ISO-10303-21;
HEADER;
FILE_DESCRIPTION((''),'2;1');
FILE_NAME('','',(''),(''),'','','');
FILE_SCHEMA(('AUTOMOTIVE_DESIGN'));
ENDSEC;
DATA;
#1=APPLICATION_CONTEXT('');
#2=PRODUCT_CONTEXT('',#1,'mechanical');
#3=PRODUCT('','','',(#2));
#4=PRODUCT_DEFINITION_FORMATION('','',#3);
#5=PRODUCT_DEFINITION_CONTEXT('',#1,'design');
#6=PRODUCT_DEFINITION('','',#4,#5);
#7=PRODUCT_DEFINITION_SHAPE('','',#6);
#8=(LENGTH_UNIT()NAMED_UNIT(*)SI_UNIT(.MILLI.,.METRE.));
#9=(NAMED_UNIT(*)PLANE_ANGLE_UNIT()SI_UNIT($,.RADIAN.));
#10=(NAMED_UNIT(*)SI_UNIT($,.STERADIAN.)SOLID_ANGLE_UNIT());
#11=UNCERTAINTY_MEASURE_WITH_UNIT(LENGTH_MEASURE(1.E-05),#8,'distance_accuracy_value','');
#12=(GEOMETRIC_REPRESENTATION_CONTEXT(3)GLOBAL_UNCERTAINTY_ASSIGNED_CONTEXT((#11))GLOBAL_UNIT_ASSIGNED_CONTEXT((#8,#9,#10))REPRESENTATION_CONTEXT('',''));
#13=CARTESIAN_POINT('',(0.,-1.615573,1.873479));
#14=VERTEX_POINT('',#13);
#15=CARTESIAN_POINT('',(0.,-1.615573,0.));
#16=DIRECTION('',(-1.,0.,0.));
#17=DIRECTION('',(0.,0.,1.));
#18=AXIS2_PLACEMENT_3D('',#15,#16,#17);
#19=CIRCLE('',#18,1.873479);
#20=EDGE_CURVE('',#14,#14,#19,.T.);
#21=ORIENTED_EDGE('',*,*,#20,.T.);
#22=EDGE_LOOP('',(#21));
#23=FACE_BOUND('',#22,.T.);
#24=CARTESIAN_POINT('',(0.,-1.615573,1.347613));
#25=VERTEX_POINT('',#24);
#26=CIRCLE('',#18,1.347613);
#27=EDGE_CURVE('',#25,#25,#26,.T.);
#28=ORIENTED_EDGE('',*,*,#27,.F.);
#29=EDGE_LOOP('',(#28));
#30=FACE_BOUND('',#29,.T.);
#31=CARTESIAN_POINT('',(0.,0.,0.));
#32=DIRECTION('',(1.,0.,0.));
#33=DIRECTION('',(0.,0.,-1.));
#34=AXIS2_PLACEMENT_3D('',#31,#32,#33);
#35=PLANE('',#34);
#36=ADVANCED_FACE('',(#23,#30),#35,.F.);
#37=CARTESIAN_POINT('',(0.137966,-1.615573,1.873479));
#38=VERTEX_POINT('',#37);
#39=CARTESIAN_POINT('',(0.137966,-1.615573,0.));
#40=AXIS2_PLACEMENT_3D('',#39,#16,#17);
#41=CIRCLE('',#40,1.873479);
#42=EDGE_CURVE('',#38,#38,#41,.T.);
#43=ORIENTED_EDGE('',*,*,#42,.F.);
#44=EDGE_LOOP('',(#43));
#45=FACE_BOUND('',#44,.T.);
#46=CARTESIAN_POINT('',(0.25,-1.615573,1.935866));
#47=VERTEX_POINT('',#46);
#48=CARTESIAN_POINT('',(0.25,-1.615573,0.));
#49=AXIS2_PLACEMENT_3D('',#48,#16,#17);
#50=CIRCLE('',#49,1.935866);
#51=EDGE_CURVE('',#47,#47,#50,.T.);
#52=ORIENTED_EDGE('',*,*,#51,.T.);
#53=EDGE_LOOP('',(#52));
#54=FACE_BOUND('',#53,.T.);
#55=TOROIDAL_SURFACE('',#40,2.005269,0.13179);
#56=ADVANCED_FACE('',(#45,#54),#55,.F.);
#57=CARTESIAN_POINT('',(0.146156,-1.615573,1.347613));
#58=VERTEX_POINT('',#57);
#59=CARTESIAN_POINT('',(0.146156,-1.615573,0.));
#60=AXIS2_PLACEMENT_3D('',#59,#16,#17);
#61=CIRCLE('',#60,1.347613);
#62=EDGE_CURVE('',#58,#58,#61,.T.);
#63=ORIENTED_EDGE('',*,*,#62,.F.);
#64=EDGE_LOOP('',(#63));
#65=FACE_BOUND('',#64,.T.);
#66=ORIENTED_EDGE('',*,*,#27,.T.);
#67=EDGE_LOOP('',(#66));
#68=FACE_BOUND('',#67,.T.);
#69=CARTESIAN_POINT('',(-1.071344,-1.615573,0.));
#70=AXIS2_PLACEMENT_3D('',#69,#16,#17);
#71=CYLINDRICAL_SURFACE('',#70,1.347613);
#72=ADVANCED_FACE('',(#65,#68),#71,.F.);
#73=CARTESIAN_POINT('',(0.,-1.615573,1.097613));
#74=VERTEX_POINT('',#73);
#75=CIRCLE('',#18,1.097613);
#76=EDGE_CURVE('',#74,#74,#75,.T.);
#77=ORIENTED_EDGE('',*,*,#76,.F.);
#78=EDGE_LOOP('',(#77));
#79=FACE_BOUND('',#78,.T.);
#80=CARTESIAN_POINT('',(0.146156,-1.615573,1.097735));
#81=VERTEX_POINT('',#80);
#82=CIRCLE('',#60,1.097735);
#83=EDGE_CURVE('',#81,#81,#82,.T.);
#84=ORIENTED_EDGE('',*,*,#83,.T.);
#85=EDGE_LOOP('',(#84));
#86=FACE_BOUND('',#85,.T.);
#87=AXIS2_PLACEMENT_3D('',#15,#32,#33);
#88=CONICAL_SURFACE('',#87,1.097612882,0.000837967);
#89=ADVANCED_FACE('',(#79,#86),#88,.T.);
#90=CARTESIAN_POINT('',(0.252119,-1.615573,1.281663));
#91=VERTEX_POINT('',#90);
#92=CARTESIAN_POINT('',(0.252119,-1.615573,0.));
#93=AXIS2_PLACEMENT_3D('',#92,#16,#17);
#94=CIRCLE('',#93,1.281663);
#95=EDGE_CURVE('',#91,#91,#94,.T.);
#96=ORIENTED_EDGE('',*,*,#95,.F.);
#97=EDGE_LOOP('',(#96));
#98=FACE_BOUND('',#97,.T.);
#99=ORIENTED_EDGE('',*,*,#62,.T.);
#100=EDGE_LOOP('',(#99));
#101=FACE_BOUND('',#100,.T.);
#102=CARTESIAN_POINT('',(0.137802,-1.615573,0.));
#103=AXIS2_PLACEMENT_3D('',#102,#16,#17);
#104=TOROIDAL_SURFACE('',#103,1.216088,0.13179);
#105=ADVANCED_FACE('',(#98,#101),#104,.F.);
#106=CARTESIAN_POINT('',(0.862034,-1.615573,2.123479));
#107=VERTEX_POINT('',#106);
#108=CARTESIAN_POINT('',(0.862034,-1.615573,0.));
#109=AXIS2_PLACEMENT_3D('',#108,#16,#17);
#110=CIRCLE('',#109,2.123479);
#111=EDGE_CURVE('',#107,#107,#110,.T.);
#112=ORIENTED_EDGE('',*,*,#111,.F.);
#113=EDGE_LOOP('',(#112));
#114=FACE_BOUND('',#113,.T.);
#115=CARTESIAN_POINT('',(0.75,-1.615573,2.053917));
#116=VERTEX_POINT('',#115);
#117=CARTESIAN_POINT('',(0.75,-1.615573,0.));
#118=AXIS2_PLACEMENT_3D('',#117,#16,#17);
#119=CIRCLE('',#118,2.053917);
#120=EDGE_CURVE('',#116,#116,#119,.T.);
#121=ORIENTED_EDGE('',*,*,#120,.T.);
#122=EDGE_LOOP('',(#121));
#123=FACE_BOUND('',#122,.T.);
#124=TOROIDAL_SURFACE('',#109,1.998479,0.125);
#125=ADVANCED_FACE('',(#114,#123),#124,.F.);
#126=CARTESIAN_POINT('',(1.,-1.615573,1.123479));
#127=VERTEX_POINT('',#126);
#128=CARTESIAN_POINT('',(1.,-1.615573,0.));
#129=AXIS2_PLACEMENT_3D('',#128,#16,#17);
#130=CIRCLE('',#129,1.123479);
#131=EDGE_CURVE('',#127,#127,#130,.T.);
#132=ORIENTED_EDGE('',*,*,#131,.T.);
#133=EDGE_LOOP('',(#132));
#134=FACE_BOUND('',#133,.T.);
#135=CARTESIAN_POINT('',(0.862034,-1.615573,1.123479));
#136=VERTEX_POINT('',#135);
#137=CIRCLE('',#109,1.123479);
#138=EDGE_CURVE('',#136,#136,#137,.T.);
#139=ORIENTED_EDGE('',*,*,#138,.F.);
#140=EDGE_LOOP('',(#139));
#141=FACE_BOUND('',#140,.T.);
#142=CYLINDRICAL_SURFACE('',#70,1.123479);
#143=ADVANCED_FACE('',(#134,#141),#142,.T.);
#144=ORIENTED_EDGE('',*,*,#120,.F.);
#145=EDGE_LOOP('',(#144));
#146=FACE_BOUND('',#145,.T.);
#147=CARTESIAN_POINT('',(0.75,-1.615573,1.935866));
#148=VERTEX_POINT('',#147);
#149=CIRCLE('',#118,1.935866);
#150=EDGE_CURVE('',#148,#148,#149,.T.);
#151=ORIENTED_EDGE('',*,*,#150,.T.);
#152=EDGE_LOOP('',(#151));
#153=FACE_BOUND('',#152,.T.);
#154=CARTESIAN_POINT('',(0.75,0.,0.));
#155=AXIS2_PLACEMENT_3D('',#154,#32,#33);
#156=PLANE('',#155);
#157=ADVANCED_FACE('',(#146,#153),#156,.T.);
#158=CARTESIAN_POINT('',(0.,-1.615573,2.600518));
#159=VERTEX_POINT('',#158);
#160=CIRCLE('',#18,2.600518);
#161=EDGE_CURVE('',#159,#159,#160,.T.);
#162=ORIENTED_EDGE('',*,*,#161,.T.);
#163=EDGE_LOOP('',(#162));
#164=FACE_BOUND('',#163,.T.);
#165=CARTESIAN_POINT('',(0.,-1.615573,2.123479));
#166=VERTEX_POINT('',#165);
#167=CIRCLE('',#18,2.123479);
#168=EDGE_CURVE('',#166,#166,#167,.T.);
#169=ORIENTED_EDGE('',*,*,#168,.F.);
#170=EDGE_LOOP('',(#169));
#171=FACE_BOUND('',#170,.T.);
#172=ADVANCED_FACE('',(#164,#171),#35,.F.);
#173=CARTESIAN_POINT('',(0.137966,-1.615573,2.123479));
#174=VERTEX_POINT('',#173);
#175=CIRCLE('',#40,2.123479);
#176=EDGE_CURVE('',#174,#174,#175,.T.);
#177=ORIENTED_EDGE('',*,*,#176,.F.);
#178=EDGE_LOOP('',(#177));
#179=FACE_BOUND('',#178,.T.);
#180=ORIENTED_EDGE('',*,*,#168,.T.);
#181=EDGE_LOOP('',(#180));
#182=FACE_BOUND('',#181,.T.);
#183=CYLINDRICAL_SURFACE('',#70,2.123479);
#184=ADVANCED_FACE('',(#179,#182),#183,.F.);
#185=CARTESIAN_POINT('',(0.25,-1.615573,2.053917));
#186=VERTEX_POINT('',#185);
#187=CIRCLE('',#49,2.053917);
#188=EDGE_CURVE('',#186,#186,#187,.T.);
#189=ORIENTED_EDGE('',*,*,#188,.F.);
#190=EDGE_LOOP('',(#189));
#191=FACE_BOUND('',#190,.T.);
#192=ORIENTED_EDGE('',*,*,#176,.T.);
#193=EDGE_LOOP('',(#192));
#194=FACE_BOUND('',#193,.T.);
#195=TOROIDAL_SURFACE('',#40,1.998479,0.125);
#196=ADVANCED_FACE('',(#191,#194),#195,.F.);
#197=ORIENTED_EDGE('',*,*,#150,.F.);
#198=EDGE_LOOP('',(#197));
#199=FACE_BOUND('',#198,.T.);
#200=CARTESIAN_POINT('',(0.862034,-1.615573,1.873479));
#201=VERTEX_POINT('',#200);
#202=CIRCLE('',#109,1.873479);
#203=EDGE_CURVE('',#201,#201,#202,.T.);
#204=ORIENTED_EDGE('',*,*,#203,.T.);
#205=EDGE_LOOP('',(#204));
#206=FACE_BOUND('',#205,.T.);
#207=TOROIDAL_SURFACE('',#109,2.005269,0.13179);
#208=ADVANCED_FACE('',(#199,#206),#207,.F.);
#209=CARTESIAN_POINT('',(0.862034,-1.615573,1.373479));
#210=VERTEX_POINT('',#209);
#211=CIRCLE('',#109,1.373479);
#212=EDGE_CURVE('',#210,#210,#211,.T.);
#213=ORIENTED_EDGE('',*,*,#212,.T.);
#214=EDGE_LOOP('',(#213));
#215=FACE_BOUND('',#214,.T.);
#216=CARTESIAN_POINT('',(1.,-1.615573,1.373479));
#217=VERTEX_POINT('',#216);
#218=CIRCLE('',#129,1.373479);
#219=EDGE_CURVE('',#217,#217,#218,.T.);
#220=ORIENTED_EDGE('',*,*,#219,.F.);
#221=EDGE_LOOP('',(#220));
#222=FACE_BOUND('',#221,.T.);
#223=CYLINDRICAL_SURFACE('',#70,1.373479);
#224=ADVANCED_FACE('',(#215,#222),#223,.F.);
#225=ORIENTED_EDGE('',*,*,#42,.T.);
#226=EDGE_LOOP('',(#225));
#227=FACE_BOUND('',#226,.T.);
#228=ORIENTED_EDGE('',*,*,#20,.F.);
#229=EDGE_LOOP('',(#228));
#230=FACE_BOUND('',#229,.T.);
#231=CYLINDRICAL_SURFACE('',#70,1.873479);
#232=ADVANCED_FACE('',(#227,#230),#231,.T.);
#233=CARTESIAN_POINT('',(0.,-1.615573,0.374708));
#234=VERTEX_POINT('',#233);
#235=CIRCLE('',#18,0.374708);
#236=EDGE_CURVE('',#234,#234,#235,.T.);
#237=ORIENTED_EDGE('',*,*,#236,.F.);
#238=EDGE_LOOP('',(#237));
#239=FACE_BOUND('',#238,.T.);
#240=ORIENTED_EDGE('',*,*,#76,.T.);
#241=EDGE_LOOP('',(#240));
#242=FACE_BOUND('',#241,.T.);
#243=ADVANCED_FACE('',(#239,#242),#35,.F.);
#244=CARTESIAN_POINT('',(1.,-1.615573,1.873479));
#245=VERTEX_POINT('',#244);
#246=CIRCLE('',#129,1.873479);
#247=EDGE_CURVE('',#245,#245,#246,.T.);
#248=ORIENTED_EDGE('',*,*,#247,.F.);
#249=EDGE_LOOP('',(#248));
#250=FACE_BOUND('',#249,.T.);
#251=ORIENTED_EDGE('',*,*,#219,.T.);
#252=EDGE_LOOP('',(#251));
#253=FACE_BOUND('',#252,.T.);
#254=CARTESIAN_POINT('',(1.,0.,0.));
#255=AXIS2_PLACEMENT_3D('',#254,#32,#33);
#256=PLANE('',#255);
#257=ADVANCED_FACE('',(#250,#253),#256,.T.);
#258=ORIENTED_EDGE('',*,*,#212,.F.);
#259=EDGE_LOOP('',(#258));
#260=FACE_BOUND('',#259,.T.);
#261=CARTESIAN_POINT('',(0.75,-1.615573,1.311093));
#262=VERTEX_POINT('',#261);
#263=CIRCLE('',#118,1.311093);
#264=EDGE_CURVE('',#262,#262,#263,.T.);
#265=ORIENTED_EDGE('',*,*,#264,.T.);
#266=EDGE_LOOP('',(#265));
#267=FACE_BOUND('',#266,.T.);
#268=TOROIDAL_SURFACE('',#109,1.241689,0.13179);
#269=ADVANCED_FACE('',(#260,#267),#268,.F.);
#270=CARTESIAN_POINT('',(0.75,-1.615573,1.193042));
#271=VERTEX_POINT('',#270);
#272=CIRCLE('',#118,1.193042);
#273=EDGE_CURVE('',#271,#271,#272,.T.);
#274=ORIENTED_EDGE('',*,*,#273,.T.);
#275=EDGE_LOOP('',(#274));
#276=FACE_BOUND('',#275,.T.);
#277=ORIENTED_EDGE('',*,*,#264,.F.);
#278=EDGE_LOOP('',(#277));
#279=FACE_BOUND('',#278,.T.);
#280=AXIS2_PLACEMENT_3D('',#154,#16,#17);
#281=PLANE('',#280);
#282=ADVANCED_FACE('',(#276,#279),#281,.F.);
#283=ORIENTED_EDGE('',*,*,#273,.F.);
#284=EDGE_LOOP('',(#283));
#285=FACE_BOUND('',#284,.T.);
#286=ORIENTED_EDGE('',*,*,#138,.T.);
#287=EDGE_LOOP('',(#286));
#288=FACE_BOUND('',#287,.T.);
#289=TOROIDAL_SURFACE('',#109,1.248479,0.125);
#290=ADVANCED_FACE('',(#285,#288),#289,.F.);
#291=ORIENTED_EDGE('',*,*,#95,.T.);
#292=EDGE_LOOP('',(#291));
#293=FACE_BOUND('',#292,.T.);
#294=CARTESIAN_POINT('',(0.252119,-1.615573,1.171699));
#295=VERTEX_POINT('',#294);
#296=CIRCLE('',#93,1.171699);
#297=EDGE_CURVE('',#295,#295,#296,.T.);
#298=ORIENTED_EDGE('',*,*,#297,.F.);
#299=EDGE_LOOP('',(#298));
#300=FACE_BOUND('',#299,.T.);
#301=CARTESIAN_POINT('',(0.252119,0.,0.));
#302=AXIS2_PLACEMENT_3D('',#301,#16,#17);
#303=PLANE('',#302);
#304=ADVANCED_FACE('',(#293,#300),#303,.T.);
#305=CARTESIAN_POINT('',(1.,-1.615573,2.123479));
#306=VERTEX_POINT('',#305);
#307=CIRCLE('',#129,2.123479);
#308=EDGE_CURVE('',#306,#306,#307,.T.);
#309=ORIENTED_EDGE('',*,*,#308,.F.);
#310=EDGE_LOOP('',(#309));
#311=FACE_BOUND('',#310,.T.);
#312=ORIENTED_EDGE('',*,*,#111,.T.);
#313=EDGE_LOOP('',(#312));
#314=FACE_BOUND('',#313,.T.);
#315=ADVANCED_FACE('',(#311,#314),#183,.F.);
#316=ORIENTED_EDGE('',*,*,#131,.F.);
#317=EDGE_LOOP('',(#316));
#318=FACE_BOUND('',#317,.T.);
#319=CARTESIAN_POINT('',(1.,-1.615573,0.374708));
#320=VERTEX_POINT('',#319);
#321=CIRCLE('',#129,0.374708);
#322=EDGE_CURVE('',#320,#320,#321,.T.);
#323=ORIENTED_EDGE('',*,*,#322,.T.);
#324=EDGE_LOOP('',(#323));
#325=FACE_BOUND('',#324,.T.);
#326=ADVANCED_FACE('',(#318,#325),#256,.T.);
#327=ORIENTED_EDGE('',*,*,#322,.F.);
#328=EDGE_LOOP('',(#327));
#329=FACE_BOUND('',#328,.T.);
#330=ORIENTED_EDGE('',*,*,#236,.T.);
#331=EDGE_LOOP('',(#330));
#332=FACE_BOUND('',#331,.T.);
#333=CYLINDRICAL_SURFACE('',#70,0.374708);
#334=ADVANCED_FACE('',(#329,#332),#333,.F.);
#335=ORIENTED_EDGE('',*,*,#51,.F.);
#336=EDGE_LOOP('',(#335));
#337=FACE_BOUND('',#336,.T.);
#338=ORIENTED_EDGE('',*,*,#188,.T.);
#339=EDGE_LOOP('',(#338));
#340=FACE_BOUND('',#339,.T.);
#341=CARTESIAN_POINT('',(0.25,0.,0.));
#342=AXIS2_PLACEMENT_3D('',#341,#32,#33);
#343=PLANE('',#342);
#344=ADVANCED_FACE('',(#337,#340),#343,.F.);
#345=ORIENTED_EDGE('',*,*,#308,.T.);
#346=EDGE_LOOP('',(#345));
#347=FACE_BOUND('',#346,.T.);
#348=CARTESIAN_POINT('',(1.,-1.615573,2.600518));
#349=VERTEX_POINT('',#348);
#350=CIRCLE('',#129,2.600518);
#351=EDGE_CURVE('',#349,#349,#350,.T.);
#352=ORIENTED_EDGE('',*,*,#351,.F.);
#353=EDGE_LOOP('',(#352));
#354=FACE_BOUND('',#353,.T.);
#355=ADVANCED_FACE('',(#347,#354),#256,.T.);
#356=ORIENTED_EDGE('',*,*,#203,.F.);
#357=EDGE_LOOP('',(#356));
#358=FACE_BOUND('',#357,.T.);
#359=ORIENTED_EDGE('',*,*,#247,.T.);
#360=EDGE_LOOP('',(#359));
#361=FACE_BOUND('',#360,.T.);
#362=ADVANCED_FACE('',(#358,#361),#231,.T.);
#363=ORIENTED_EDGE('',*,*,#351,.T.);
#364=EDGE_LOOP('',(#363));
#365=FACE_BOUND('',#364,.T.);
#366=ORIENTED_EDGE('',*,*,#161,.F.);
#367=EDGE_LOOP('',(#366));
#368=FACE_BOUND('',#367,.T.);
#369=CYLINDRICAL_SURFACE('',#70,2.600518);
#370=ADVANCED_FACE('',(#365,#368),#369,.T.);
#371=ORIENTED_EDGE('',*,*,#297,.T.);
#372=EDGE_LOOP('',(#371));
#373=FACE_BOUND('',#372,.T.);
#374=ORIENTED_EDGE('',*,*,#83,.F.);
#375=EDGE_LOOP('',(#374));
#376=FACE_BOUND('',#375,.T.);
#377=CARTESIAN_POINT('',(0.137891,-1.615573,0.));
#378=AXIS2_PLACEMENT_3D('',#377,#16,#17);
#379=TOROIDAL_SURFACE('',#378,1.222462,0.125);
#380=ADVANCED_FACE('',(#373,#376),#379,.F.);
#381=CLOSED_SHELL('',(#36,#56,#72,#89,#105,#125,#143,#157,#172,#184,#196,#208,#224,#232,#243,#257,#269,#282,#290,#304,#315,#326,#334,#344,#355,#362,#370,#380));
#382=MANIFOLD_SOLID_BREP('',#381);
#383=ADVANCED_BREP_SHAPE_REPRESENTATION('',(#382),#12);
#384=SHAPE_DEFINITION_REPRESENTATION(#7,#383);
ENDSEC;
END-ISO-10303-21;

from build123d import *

# Parameters (mm, degrees)
SKETCH1_W = 1
SKETCH1_H = 0.25


with BuildPart() as part:
    # Sketch1 → Revolve1 (revolve)
    with BuildSketch(Plane.XY, mode=Mode.PRIVATE) as revolve1_sk:
        with BuildLine():
            Line((1, -0.127960571), (0, -0.127960571))
            Line((0, -0.127960571), (0, -0.267960571))
            Line((0, -0.267960571), (0.146155722, -0.267960571))
            ThreePointArc((0.146155722, -0.267960571), (0.20743948, -0.287596299), (0.252119262, -0.333910206))
            Line((0.252119262, -0.333910206), (0.252119262, -0.443874801))
            ThreePointArc((0.252119262, -0.443874801), (0.209436613, -0.495611488), (0.146155722, -0.517838097))
            Line((0.146155722, -0.517838097), (0, -0.517960571))
            Line((0, -0.517960571), (0, -1.240865466))
            Line((0, -1.240865466), (1, -1.240865466))
            Line((1, -1.240865466), (1, -0.492094096))
            Line((1, -0.492094096), (0.8620344, -0.492094096))
            ThreePointArc((0.8620344, -0.492094096), (0.796097541, -0.473288873), (0.75, -0.422531387))
            Line((0.75, -0.422531387), (0.75, -0.304480287))
            ThreePointArc((0.75, -0.304480287), (0.79791782, -0.258742158), (0.8620344, -0.242094096))
            Line((0.8620344, -0.242094096), (1, -0.242094096))
            Line((1, -0.242094096), (1, -0.127960571))
        make_face()
        with BuildLine():
            Line((1, 0.984944324), (0, 0.984944324))
            Line((0, 0.984944324), (0, 0.507905904))
            Line((0, 0.507905904), (0.1379656, 0.507905904))
            ThreePointArc((0.1379656, 0.507905904), (0.203902459, 0.489100681), (0.25, 0.438343194))
            Line((0.25, 0.438343194), (0.25, 0.320292094))
            ThreePointArc((0.25, 0.320292094), (0.20208218, 0.274553965), (0.1379656, 0.257905904))
            Line((0.1379656, 0.257905904), (0, 0.257905904))
            Line((0, 0.257905904), (0, 0.122039429))
            Line((0, 0.122039429), (1, 0.122039429))
            Line((1, 0.122039429), (1, 0.257905904))
            Line((1, 0.257905904), (0.8620344, 0.257905904))
            ThreePointArc((0.8620344, 0.257905904), (0.79791782, 0.274553965), (0.75, 0.320292094))
            Line((0.75, 0.320292094), (0.75, 0.438343194))
            ThreePointArc((0.75, 0.438343194), (0.796097541, 0.489100681), (0.8620344, 0.507905904))
            Line((0.8620344, 0.507905904), (1, 0.507905904))
            Line((1, 0.507905904), (1, 0.984944324))
        make_face()
        with Locations((0.5, -0.002960571)):
            Rectangle(SKETCH1_W, SKETCH1_H)
    revolve(revolve1_sk.sketch.rotate(Axis((-1.071343949, -1.615573452, 0), (1, 0, 0)), 90), axis=Axis((-1.071343949, -1.615573452, 0), (1, 0, 0)))


solid = part.part
